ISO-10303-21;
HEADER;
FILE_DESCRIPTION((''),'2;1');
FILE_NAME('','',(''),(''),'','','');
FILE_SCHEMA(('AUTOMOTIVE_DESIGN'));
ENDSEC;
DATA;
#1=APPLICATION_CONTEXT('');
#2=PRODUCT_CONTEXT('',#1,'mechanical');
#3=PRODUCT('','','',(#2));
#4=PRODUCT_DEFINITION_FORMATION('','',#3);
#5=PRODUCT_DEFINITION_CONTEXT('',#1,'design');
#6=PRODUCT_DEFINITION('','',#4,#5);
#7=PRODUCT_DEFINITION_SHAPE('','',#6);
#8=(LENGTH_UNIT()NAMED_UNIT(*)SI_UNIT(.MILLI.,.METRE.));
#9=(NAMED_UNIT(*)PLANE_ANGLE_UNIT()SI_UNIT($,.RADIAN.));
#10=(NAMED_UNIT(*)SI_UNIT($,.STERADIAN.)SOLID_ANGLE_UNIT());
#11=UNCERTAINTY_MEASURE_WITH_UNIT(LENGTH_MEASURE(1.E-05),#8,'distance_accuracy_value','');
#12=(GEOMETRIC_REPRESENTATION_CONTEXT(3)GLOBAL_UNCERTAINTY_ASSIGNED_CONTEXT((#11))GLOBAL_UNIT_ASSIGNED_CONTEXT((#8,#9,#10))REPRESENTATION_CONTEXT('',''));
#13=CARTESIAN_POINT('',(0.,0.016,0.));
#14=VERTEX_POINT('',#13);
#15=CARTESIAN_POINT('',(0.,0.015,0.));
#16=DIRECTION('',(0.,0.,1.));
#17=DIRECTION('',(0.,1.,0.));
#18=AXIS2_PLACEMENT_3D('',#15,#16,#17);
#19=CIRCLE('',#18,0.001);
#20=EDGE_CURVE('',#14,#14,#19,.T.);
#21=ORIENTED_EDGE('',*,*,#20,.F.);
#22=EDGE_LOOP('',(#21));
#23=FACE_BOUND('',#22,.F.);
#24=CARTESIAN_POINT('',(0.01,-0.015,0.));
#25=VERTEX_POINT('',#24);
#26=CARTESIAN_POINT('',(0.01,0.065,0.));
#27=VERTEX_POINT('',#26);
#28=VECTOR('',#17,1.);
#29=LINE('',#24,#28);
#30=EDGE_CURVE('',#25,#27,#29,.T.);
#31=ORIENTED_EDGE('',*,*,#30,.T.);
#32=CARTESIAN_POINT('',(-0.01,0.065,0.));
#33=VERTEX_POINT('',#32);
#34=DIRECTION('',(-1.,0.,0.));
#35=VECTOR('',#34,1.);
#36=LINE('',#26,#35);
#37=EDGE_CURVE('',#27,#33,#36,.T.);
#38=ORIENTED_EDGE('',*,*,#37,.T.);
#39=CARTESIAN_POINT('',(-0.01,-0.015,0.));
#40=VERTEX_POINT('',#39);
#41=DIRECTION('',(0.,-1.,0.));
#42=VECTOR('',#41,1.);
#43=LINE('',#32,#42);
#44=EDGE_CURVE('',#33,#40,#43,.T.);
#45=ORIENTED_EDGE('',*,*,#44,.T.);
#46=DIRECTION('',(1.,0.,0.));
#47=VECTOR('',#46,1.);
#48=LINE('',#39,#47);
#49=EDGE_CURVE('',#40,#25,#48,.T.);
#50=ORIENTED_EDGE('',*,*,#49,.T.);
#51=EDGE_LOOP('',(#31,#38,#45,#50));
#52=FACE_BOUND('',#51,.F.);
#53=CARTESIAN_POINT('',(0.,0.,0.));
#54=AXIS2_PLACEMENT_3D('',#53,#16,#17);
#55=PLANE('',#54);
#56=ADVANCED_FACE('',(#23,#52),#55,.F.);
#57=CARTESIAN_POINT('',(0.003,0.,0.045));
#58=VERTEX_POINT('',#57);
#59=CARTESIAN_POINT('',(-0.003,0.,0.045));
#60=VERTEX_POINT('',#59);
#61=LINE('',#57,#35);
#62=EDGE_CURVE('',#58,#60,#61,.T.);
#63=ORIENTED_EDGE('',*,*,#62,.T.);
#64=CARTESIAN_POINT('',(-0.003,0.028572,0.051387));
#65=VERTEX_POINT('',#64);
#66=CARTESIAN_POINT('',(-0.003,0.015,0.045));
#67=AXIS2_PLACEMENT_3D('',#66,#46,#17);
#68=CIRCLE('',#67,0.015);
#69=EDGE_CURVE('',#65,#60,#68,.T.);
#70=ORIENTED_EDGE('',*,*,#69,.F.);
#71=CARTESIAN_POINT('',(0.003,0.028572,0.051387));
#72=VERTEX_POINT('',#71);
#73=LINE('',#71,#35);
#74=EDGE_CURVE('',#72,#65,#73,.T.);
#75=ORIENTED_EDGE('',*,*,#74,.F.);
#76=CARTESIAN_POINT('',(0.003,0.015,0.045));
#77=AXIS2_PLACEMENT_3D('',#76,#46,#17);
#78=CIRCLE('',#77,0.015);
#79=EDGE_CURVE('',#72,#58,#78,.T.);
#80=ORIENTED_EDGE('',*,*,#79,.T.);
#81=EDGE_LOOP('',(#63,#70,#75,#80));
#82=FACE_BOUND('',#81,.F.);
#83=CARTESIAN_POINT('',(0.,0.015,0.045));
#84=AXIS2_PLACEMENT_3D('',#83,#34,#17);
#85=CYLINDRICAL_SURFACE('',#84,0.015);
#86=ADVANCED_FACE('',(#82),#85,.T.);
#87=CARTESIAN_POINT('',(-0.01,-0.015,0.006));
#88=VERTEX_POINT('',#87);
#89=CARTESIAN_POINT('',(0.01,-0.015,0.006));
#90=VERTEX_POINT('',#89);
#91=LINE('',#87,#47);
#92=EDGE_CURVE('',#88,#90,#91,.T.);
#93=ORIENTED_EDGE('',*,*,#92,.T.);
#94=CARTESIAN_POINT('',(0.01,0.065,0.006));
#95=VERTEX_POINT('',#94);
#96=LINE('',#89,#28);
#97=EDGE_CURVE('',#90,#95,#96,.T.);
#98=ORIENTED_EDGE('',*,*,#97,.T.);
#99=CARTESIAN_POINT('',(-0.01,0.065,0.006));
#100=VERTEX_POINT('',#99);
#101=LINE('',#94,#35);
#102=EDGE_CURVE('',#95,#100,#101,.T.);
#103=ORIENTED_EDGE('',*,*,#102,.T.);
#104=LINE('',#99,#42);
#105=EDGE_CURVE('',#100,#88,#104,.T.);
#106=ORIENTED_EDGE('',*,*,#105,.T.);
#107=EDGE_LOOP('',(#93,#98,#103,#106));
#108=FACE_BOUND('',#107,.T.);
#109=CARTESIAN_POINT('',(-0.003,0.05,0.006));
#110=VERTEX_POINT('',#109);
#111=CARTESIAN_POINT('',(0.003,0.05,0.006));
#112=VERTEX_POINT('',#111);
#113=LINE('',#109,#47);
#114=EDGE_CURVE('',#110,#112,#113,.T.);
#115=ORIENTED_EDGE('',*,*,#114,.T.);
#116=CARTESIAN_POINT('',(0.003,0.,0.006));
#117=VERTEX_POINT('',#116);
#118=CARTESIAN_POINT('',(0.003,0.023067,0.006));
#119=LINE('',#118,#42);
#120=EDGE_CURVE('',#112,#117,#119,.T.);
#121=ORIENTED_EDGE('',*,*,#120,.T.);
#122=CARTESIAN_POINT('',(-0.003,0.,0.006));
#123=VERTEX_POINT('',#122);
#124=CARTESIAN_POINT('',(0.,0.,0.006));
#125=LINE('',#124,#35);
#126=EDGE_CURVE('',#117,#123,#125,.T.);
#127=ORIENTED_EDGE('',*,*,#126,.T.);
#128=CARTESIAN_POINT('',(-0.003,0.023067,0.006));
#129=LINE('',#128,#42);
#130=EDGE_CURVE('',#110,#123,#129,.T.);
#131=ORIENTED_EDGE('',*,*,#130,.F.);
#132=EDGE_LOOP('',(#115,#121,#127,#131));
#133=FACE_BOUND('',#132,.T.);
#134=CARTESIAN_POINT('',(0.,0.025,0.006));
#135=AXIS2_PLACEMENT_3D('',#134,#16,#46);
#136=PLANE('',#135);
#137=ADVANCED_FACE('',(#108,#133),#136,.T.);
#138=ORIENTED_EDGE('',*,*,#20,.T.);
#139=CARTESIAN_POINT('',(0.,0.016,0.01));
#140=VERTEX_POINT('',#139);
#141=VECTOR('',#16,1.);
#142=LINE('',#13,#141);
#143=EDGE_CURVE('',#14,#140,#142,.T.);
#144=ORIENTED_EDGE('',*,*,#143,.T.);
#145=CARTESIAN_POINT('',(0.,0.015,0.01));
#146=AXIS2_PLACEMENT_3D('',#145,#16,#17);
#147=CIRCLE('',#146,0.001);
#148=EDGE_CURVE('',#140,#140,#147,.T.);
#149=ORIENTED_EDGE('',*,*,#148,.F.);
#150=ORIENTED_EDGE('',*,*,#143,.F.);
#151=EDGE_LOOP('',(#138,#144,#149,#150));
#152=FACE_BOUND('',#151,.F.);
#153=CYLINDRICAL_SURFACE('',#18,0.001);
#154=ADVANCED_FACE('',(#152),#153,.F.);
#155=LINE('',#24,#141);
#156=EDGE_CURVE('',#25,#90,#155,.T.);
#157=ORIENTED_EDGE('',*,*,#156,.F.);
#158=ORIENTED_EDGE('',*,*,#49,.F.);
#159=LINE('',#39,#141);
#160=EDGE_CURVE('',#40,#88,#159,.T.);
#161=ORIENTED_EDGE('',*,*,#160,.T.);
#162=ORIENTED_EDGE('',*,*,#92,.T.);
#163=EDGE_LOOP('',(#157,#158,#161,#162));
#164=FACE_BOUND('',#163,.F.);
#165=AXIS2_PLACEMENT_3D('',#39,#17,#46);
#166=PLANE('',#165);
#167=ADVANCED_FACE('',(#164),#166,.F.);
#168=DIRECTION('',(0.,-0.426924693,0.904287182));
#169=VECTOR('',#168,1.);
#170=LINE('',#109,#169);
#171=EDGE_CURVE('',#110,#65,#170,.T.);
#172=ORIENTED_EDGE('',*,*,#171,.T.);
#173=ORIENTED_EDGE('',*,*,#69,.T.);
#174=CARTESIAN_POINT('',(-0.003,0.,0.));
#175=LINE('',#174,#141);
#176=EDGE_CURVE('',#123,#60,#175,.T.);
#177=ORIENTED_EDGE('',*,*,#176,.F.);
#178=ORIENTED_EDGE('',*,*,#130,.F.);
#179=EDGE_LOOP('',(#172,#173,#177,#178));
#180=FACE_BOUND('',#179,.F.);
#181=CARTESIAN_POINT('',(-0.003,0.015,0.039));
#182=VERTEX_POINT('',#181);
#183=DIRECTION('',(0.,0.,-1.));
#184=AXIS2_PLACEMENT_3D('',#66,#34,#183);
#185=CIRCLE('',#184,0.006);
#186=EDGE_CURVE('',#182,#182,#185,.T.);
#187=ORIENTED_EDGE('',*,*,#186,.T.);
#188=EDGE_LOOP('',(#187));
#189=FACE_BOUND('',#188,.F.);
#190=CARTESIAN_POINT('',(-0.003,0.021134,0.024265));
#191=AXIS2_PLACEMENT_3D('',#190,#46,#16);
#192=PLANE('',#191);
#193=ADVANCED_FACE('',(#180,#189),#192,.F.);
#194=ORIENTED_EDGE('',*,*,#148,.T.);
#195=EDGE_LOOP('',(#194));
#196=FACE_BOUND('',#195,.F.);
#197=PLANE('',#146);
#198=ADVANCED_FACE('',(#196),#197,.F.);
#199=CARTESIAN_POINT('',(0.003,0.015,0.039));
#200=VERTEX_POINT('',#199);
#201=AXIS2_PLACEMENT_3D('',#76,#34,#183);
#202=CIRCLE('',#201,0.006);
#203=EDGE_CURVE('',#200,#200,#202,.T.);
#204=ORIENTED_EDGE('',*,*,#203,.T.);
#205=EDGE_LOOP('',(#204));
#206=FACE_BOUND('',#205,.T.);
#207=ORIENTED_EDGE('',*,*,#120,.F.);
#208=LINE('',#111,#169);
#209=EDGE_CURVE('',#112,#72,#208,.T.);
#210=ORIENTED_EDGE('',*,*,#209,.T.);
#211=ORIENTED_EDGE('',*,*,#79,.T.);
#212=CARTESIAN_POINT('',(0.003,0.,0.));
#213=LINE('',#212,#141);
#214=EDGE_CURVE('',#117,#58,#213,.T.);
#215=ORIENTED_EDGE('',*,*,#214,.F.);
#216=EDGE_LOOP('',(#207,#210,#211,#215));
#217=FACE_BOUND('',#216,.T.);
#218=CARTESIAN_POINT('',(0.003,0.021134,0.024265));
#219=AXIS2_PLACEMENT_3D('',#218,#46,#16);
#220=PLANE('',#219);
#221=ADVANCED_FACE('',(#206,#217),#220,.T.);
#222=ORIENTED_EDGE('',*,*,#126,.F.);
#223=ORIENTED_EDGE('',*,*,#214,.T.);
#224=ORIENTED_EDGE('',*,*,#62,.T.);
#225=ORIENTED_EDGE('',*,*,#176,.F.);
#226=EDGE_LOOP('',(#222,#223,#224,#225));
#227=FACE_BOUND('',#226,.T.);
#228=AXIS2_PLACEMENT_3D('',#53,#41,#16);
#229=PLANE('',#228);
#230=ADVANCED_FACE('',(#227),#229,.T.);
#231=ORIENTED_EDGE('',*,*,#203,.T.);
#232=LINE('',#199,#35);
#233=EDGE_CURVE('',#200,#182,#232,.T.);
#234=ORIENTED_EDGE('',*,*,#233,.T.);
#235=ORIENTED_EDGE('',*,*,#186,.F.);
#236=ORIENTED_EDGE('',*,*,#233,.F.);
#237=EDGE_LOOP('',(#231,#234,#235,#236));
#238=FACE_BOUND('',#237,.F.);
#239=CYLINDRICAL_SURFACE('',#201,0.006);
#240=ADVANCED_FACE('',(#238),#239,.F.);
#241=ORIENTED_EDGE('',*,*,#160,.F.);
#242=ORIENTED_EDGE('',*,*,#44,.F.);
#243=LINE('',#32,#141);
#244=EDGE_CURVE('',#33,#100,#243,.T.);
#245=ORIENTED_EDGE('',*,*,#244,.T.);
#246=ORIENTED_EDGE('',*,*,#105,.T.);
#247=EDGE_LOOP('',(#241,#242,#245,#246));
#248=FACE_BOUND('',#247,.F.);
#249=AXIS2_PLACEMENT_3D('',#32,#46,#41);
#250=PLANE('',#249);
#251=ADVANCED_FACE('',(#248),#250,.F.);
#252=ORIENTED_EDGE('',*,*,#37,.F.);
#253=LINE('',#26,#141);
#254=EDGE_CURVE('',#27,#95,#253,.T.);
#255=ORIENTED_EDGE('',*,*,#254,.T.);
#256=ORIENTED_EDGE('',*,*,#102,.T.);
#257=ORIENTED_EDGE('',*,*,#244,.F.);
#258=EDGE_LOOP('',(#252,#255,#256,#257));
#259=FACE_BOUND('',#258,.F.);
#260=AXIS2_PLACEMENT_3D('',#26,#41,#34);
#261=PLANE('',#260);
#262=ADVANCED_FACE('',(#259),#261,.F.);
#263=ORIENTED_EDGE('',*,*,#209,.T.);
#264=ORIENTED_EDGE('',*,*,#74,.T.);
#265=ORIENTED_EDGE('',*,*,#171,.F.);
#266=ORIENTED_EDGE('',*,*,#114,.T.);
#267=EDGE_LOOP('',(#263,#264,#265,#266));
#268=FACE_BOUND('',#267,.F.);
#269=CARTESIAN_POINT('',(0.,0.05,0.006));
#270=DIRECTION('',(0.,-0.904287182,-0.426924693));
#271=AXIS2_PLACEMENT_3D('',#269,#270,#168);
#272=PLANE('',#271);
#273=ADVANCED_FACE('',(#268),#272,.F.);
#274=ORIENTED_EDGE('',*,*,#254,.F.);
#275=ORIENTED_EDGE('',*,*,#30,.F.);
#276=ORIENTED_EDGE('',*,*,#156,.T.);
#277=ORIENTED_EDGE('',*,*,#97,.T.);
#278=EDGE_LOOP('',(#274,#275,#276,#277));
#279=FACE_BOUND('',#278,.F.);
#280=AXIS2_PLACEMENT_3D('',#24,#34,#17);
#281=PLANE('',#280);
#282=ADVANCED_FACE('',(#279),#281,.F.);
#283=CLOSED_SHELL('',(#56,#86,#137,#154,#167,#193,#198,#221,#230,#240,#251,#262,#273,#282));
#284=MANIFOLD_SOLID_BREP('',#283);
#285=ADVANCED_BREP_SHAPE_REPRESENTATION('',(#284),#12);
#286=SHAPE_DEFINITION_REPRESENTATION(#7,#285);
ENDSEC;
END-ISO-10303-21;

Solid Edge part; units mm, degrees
sketch "Sketch1" plane through (0, 0, 0) normal (1, 0, 0) x (0, 1, 0)
  line L0 (0, 0) -> (0.05, 0)
  line L1 (0.05, 0) -> (0.05, 0.006)
  line L2 (0.05, 0.006) -> (0.0286, 0.0514)
  line L3 (0, 0) -> (0, 0.045)
  arc A0 (0.0286, 0.0514) -> (0, 0.045) centre (0.015, 0.045) ccw
  dimension "D1" = 0.015
  dimension "D2" = 0.05
extrude "Protrusion1" add sketch "Sketch1" along normal mid plane 0.006
hole "Bohrung_1" at (0.003, 0.015, 0.045) direction (-1, 0, 0) diameter 0.012 depth 3.175
sketch "Sketch2" plane through (0, 0, 0) normal (0, 0, 1) x (1, 0, 0)
  line L0 (0.01, -0.015) -> (0.01, 0.065)
  line L1 (0.01, 0.065) -> (-0.01, 0.065)
  line L2 (-0.01, 0.065) -> (-0.01, -0.015)
  line L3 (-0.01, -0.015) -> (0.01, -0.015)
  dimension "D1" = 0.02
  dimension "D2" = 0.08
  dimension "D3" = 0.015
extrude "Ausprägung_2" add sketch "Sketch2" along normal blind 0.006
hole "Bohrung_2" at (0, 0.015, 0) direction (0, 0, 1) diameter 0.002 depth 0.01
